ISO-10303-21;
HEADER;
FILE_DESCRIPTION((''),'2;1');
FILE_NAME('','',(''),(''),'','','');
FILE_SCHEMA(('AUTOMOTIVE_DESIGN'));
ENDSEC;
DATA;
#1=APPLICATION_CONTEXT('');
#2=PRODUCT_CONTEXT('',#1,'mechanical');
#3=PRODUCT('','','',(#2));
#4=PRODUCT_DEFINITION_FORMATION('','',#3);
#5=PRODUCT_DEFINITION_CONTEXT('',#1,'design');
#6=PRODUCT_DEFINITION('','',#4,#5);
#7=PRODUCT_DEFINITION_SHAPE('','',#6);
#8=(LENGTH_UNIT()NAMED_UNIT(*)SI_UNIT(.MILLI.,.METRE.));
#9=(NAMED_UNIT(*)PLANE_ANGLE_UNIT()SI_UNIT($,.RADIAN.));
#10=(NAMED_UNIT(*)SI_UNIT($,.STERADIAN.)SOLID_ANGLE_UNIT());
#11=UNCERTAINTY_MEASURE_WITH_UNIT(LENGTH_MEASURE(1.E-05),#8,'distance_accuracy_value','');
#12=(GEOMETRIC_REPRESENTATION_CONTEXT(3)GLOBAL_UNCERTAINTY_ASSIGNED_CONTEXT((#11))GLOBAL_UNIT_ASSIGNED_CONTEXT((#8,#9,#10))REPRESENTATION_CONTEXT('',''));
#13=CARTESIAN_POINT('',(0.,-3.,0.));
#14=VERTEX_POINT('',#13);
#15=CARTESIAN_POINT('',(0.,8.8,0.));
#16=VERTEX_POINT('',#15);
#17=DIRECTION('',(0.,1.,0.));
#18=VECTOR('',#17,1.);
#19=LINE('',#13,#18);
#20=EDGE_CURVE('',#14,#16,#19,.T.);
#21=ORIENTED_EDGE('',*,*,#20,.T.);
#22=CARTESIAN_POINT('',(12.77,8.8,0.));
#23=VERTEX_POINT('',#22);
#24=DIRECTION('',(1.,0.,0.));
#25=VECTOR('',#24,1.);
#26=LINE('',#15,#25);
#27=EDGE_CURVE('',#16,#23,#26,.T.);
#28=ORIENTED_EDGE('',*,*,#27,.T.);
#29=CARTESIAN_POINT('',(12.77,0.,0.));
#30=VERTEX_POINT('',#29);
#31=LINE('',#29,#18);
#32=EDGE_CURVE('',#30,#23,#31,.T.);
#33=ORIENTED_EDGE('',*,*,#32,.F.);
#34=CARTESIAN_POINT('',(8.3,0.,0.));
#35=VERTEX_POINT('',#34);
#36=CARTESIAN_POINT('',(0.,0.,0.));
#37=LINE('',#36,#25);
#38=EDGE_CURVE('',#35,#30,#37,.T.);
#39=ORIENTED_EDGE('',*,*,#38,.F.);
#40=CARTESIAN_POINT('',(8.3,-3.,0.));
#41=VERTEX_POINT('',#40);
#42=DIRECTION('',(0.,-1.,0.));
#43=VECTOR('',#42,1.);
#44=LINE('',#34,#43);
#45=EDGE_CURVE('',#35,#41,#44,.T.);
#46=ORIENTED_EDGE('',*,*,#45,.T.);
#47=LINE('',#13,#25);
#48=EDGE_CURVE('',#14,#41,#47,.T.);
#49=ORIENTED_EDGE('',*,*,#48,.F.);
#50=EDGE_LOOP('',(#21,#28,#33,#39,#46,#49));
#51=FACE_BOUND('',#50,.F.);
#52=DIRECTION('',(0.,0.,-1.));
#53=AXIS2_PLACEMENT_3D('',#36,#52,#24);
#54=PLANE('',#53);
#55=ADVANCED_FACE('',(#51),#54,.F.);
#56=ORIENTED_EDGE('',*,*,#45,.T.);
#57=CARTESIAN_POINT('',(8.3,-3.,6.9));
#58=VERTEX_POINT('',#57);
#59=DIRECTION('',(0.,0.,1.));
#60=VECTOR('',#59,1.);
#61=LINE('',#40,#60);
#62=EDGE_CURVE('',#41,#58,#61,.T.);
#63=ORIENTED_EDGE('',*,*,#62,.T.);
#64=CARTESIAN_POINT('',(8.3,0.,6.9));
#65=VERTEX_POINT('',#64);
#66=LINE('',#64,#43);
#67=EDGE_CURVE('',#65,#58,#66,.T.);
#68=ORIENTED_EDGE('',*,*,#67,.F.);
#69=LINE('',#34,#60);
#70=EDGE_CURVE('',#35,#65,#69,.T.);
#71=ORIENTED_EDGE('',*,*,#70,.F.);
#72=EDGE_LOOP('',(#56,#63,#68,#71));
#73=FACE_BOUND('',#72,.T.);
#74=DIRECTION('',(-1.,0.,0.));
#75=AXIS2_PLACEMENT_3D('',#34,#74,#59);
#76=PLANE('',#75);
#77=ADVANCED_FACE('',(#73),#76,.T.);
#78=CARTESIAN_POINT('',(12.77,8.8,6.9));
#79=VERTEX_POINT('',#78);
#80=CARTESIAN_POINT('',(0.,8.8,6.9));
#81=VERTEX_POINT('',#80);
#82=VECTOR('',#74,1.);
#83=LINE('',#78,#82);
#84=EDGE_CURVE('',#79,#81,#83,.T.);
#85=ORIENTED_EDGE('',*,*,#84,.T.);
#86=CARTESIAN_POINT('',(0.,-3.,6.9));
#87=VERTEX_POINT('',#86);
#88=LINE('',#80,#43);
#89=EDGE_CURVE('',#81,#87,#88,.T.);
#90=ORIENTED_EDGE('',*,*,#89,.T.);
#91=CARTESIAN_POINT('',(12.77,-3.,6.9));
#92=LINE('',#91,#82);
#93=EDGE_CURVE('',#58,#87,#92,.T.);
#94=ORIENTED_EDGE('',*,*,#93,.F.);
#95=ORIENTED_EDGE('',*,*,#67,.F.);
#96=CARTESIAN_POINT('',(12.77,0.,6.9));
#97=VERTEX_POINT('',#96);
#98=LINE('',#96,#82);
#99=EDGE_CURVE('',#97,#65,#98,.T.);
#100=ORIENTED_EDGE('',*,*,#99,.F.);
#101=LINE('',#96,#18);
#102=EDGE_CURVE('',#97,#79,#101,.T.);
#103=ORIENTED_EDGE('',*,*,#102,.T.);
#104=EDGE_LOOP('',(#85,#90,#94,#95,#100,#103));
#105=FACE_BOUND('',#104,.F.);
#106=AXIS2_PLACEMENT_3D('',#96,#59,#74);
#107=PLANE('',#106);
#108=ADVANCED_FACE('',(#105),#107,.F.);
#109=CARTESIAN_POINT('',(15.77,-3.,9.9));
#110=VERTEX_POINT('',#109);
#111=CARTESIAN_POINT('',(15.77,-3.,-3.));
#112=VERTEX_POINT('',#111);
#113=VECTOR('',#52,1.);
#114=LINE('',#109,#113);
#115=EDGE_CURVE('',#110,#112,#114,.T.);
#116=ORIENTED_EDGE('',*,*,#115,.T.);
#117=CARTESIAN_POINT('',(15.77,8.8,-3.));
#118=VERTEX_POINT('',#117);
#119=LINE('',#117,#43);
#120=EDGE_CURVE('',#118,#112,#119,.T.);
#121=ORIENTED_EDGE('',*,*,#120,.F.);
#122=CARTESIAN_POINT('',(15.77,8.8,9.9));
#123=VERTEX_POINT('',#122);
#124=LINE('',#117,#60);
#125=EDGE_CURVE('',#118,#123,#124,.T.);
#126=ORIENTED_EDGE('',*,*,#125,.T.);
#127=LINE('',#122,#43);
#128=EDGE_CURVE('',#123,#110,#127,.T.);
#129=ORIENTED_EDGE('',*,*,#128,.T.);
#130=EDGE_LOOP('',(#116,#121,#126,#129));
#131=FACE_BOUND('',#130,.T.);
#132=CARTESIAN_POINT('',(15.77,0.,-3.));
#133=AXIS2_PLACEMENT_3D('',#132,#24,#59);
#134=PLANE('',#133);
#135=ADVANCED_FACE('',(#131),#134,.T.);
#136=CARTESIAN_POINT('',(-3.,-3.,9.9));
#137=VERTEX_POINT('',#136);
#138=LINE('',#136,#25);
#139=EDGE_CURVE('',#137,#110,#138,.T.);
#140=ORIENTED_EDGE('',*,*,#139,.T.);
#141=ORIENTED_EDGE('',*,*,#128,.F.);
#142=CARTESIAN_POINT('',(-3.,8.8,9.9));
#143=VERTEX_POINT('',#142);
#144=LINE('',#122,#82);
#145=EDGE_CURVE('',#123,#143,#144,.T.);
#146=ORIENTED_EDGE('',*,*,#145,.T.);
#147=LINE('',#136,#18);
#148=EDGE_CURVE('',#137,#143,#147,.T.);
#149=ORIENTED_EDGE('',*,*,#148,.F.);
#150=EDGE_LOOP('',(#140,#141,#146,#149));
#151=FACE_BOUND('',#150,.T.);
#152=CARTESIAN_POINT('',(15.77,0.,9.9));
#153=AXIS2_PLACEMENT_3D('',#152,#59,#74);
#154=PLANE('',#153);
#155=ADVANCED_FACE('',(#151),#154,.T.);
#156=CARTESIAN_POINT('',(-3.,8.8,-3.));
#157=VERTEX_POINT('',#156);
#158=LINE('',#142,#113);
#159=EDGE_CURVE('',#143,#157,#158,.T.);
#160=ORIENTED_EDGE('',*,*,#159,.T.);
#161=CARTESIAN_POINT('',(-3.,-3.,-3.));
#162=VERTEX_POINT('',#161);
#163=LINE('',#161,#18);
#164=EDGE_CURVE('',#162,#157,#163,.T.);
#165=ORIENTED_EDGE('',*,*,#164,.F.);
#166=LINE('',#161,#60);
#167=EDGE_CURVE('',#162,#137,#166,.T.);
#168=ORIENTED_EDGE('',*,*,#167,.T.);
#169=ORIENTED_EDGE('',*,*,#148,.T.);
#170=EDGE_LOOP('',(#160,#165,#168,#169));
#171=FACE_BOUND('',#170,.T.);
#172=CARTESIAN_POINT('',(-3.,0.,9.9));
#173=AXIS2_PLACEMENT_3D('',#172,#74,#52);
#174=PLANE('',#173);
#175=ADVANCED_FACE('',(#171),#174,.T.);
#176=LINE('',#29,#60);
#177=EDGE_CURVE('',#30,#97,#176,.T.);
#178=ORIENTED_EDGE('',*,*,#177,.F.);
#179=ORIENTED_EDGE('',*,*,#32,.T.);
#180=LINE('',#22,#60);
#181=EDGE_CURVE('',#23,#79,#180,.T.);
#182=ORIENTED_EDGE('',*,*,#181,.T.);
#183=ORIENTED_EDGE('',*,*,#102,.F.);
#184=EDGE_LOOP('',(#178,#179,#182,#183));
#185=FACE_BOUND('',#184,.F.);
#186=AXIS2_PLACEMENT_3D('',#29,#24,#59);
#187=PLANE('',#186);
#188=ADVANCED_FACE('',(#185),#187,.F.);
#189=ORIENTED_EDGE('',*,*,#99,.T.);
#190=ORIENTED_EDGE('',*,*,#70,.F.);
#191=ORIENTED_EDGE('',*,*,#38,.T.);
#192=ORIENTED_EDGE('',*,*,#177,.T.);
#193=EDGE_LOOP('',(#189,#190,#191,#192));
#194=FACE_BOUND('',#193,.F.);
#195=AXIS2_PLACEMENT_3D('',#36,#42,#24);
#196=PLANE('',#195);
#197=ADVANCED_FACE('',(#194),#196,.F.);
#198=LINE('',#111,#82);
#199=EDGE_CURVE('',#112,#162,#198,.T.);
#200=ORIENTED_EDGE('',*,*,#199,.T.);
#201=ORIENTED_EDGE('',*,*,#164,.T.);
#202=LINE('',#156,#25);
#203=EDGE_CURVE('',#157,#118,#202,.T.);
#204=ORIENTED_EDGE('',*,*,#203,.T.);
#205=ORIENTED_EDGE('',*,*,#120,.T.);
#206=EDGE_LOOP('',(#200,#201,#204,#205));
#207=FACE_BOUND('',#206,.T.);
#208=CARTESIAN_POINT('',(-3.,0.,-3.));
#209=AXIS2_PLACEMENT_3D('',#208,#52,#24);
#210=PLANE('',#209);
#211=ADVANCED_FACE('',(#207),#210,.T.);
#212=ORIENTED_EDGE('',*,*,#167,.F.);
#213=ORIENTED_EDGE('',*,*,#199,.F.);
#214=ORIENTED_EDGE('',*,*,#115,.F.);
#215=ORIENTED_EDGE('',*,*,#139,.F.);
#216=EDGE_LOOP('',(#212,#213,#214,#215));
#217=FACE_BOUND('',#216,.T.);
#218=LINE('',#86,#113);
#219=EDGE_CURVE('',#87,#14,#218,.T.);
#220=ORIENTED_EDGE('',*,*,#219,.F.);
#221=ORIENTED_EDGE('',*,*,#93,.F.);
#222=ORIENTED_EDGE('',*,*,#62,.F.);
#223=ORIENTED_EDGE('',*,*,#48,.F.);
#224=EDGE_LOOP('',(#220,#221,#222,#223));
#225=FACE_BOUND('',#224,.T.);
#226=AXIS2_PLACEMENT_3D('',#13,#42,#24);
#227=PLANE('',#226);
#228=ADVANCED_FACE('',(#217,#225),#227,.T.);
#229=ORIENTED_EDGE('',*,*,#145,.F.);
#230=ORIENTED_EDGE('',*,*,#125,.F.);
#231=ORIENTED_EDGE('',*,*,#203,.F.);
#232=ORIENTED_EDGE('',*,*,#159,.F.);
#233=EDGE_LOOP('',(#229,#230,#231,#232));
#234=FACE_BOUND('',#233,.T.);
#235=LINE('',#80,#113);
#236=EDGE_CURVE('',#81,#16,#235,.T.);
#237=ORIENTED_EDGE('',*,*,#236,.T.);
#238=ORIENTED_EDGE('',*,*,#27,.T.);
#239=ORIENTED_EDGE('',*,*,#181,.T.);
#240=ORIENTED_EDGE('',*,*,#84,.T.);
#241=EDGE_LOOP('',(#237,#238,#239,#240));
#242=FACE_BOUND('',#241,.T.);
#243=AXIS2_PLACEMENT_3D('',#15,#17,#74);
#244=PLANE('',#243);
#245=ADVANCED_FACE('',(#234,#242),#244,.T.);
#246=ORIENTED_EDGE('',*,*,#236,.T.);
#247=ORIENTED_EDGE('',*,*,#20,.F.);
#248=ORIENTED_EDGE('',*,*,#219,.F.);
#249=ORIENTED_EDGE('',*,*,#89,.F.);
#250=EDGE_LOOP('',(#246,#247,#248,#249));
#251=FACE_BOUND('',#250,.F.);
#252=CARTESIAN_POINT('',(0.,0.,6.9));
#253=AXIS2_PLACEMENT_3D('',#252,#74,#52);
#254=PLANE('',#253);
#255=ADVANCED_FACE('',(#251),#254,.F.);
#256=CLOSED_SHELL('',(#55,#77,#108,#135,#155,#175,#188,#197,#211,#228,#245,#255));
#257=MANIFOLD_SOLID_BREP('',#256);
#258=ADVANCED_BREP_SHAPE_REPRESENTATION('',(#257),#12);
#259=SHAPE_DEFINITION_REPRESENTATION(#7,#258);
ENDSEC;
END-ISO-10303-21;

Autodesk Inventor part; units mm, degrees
ref_plane "YZ Plane" through (0, 0, 0) normal (1, 0, 0) x (0, 1, 0)
ref_plane "XZ Plane" through (0, 0, 0) normal (0, 1, 0) x (-1, 0, 0)
ref_plane "XY Plane" through (0, 0, 0) normal (0, 0, 1) x (1, 0, 0)
sketch "Sketch1" plane through (0, 0, 0) normal (0, 1, 0) x (-1, 0, 0)
  line L0 (0, 0) -> (-12.77, 0)
  line L1 (-12.77, 0) -> (-12.77, 6.9)
  line L2 (-12.77, 6.9) -> (0, 6.9)
  line L3 (0, 6.9) -> (0, 0)
  line L4 (3, -3) -> (-15.77, -3)
  line L5 (-15.77, -3) -> (-15.77, 9.9)
  line L6 (-15.77, 9.9) -> (3, 9.9)
  line L7 (3, 9.9) -> (3, -3)
  point P0 (-6.385, -3)
  point P1 (-6.385, 0)
  point P2 (3, 3.45)
  dimension "d0" = 12.77
  dimension "d1" = 6.9
  dimension "d2" = 3
  dimension "d3" = 3
  dimension "d4" = 3
  dimension "d5" = 3
extrude "Extrusion1" add sketch "Sketch1" along normal blind 8.8
sketch "Sketch2" plane through (0, 0, 0) normal (0, -1, 0) x (1, 0, 0)
  line L0 (-3, 9.9) -> (15.77, 9.9) projected
  line L1 (15.77, -3) -> (-3, -3) projected
  line L2 (-3, 9.9) -> (15.77, 9.9)
  line L3 (15.77, 9.9) -> (15.77, -3)
  line L4 (15.77, -3) -> (-3, -3)
  line L5 (-3, -3) -> (-3, 9.9)
  point P0 (0, 0)
extrude "Extrusion2" add sketch "Sketch2" along normal blind 3
sketch "Sketch3" plane through (0, 0, 0) normal (0, 1, 0) x (1, 0, 0)
  line L0 (0, -6.9) -> (0, 0) projected
  line L1 (12.77, -6.9) -> (0, -6.9) projected
  line L2 (0, 0) -> (8.3, 0)
  line L3 (8.3, 0) -> (8.3, -6.9)
  line L4 (8.3, -6.9) -> (0, -6.9)
  line L5 (0, -6.9) -> (0, 0)
  dimension "d10" = 8.3
extrude "Extrusion3" cut sketch "Sketch3" against normal blind 3
equation "\"d3\" = d2"
equation "\"d5\" = d4"
properties part number "switch test v01"
